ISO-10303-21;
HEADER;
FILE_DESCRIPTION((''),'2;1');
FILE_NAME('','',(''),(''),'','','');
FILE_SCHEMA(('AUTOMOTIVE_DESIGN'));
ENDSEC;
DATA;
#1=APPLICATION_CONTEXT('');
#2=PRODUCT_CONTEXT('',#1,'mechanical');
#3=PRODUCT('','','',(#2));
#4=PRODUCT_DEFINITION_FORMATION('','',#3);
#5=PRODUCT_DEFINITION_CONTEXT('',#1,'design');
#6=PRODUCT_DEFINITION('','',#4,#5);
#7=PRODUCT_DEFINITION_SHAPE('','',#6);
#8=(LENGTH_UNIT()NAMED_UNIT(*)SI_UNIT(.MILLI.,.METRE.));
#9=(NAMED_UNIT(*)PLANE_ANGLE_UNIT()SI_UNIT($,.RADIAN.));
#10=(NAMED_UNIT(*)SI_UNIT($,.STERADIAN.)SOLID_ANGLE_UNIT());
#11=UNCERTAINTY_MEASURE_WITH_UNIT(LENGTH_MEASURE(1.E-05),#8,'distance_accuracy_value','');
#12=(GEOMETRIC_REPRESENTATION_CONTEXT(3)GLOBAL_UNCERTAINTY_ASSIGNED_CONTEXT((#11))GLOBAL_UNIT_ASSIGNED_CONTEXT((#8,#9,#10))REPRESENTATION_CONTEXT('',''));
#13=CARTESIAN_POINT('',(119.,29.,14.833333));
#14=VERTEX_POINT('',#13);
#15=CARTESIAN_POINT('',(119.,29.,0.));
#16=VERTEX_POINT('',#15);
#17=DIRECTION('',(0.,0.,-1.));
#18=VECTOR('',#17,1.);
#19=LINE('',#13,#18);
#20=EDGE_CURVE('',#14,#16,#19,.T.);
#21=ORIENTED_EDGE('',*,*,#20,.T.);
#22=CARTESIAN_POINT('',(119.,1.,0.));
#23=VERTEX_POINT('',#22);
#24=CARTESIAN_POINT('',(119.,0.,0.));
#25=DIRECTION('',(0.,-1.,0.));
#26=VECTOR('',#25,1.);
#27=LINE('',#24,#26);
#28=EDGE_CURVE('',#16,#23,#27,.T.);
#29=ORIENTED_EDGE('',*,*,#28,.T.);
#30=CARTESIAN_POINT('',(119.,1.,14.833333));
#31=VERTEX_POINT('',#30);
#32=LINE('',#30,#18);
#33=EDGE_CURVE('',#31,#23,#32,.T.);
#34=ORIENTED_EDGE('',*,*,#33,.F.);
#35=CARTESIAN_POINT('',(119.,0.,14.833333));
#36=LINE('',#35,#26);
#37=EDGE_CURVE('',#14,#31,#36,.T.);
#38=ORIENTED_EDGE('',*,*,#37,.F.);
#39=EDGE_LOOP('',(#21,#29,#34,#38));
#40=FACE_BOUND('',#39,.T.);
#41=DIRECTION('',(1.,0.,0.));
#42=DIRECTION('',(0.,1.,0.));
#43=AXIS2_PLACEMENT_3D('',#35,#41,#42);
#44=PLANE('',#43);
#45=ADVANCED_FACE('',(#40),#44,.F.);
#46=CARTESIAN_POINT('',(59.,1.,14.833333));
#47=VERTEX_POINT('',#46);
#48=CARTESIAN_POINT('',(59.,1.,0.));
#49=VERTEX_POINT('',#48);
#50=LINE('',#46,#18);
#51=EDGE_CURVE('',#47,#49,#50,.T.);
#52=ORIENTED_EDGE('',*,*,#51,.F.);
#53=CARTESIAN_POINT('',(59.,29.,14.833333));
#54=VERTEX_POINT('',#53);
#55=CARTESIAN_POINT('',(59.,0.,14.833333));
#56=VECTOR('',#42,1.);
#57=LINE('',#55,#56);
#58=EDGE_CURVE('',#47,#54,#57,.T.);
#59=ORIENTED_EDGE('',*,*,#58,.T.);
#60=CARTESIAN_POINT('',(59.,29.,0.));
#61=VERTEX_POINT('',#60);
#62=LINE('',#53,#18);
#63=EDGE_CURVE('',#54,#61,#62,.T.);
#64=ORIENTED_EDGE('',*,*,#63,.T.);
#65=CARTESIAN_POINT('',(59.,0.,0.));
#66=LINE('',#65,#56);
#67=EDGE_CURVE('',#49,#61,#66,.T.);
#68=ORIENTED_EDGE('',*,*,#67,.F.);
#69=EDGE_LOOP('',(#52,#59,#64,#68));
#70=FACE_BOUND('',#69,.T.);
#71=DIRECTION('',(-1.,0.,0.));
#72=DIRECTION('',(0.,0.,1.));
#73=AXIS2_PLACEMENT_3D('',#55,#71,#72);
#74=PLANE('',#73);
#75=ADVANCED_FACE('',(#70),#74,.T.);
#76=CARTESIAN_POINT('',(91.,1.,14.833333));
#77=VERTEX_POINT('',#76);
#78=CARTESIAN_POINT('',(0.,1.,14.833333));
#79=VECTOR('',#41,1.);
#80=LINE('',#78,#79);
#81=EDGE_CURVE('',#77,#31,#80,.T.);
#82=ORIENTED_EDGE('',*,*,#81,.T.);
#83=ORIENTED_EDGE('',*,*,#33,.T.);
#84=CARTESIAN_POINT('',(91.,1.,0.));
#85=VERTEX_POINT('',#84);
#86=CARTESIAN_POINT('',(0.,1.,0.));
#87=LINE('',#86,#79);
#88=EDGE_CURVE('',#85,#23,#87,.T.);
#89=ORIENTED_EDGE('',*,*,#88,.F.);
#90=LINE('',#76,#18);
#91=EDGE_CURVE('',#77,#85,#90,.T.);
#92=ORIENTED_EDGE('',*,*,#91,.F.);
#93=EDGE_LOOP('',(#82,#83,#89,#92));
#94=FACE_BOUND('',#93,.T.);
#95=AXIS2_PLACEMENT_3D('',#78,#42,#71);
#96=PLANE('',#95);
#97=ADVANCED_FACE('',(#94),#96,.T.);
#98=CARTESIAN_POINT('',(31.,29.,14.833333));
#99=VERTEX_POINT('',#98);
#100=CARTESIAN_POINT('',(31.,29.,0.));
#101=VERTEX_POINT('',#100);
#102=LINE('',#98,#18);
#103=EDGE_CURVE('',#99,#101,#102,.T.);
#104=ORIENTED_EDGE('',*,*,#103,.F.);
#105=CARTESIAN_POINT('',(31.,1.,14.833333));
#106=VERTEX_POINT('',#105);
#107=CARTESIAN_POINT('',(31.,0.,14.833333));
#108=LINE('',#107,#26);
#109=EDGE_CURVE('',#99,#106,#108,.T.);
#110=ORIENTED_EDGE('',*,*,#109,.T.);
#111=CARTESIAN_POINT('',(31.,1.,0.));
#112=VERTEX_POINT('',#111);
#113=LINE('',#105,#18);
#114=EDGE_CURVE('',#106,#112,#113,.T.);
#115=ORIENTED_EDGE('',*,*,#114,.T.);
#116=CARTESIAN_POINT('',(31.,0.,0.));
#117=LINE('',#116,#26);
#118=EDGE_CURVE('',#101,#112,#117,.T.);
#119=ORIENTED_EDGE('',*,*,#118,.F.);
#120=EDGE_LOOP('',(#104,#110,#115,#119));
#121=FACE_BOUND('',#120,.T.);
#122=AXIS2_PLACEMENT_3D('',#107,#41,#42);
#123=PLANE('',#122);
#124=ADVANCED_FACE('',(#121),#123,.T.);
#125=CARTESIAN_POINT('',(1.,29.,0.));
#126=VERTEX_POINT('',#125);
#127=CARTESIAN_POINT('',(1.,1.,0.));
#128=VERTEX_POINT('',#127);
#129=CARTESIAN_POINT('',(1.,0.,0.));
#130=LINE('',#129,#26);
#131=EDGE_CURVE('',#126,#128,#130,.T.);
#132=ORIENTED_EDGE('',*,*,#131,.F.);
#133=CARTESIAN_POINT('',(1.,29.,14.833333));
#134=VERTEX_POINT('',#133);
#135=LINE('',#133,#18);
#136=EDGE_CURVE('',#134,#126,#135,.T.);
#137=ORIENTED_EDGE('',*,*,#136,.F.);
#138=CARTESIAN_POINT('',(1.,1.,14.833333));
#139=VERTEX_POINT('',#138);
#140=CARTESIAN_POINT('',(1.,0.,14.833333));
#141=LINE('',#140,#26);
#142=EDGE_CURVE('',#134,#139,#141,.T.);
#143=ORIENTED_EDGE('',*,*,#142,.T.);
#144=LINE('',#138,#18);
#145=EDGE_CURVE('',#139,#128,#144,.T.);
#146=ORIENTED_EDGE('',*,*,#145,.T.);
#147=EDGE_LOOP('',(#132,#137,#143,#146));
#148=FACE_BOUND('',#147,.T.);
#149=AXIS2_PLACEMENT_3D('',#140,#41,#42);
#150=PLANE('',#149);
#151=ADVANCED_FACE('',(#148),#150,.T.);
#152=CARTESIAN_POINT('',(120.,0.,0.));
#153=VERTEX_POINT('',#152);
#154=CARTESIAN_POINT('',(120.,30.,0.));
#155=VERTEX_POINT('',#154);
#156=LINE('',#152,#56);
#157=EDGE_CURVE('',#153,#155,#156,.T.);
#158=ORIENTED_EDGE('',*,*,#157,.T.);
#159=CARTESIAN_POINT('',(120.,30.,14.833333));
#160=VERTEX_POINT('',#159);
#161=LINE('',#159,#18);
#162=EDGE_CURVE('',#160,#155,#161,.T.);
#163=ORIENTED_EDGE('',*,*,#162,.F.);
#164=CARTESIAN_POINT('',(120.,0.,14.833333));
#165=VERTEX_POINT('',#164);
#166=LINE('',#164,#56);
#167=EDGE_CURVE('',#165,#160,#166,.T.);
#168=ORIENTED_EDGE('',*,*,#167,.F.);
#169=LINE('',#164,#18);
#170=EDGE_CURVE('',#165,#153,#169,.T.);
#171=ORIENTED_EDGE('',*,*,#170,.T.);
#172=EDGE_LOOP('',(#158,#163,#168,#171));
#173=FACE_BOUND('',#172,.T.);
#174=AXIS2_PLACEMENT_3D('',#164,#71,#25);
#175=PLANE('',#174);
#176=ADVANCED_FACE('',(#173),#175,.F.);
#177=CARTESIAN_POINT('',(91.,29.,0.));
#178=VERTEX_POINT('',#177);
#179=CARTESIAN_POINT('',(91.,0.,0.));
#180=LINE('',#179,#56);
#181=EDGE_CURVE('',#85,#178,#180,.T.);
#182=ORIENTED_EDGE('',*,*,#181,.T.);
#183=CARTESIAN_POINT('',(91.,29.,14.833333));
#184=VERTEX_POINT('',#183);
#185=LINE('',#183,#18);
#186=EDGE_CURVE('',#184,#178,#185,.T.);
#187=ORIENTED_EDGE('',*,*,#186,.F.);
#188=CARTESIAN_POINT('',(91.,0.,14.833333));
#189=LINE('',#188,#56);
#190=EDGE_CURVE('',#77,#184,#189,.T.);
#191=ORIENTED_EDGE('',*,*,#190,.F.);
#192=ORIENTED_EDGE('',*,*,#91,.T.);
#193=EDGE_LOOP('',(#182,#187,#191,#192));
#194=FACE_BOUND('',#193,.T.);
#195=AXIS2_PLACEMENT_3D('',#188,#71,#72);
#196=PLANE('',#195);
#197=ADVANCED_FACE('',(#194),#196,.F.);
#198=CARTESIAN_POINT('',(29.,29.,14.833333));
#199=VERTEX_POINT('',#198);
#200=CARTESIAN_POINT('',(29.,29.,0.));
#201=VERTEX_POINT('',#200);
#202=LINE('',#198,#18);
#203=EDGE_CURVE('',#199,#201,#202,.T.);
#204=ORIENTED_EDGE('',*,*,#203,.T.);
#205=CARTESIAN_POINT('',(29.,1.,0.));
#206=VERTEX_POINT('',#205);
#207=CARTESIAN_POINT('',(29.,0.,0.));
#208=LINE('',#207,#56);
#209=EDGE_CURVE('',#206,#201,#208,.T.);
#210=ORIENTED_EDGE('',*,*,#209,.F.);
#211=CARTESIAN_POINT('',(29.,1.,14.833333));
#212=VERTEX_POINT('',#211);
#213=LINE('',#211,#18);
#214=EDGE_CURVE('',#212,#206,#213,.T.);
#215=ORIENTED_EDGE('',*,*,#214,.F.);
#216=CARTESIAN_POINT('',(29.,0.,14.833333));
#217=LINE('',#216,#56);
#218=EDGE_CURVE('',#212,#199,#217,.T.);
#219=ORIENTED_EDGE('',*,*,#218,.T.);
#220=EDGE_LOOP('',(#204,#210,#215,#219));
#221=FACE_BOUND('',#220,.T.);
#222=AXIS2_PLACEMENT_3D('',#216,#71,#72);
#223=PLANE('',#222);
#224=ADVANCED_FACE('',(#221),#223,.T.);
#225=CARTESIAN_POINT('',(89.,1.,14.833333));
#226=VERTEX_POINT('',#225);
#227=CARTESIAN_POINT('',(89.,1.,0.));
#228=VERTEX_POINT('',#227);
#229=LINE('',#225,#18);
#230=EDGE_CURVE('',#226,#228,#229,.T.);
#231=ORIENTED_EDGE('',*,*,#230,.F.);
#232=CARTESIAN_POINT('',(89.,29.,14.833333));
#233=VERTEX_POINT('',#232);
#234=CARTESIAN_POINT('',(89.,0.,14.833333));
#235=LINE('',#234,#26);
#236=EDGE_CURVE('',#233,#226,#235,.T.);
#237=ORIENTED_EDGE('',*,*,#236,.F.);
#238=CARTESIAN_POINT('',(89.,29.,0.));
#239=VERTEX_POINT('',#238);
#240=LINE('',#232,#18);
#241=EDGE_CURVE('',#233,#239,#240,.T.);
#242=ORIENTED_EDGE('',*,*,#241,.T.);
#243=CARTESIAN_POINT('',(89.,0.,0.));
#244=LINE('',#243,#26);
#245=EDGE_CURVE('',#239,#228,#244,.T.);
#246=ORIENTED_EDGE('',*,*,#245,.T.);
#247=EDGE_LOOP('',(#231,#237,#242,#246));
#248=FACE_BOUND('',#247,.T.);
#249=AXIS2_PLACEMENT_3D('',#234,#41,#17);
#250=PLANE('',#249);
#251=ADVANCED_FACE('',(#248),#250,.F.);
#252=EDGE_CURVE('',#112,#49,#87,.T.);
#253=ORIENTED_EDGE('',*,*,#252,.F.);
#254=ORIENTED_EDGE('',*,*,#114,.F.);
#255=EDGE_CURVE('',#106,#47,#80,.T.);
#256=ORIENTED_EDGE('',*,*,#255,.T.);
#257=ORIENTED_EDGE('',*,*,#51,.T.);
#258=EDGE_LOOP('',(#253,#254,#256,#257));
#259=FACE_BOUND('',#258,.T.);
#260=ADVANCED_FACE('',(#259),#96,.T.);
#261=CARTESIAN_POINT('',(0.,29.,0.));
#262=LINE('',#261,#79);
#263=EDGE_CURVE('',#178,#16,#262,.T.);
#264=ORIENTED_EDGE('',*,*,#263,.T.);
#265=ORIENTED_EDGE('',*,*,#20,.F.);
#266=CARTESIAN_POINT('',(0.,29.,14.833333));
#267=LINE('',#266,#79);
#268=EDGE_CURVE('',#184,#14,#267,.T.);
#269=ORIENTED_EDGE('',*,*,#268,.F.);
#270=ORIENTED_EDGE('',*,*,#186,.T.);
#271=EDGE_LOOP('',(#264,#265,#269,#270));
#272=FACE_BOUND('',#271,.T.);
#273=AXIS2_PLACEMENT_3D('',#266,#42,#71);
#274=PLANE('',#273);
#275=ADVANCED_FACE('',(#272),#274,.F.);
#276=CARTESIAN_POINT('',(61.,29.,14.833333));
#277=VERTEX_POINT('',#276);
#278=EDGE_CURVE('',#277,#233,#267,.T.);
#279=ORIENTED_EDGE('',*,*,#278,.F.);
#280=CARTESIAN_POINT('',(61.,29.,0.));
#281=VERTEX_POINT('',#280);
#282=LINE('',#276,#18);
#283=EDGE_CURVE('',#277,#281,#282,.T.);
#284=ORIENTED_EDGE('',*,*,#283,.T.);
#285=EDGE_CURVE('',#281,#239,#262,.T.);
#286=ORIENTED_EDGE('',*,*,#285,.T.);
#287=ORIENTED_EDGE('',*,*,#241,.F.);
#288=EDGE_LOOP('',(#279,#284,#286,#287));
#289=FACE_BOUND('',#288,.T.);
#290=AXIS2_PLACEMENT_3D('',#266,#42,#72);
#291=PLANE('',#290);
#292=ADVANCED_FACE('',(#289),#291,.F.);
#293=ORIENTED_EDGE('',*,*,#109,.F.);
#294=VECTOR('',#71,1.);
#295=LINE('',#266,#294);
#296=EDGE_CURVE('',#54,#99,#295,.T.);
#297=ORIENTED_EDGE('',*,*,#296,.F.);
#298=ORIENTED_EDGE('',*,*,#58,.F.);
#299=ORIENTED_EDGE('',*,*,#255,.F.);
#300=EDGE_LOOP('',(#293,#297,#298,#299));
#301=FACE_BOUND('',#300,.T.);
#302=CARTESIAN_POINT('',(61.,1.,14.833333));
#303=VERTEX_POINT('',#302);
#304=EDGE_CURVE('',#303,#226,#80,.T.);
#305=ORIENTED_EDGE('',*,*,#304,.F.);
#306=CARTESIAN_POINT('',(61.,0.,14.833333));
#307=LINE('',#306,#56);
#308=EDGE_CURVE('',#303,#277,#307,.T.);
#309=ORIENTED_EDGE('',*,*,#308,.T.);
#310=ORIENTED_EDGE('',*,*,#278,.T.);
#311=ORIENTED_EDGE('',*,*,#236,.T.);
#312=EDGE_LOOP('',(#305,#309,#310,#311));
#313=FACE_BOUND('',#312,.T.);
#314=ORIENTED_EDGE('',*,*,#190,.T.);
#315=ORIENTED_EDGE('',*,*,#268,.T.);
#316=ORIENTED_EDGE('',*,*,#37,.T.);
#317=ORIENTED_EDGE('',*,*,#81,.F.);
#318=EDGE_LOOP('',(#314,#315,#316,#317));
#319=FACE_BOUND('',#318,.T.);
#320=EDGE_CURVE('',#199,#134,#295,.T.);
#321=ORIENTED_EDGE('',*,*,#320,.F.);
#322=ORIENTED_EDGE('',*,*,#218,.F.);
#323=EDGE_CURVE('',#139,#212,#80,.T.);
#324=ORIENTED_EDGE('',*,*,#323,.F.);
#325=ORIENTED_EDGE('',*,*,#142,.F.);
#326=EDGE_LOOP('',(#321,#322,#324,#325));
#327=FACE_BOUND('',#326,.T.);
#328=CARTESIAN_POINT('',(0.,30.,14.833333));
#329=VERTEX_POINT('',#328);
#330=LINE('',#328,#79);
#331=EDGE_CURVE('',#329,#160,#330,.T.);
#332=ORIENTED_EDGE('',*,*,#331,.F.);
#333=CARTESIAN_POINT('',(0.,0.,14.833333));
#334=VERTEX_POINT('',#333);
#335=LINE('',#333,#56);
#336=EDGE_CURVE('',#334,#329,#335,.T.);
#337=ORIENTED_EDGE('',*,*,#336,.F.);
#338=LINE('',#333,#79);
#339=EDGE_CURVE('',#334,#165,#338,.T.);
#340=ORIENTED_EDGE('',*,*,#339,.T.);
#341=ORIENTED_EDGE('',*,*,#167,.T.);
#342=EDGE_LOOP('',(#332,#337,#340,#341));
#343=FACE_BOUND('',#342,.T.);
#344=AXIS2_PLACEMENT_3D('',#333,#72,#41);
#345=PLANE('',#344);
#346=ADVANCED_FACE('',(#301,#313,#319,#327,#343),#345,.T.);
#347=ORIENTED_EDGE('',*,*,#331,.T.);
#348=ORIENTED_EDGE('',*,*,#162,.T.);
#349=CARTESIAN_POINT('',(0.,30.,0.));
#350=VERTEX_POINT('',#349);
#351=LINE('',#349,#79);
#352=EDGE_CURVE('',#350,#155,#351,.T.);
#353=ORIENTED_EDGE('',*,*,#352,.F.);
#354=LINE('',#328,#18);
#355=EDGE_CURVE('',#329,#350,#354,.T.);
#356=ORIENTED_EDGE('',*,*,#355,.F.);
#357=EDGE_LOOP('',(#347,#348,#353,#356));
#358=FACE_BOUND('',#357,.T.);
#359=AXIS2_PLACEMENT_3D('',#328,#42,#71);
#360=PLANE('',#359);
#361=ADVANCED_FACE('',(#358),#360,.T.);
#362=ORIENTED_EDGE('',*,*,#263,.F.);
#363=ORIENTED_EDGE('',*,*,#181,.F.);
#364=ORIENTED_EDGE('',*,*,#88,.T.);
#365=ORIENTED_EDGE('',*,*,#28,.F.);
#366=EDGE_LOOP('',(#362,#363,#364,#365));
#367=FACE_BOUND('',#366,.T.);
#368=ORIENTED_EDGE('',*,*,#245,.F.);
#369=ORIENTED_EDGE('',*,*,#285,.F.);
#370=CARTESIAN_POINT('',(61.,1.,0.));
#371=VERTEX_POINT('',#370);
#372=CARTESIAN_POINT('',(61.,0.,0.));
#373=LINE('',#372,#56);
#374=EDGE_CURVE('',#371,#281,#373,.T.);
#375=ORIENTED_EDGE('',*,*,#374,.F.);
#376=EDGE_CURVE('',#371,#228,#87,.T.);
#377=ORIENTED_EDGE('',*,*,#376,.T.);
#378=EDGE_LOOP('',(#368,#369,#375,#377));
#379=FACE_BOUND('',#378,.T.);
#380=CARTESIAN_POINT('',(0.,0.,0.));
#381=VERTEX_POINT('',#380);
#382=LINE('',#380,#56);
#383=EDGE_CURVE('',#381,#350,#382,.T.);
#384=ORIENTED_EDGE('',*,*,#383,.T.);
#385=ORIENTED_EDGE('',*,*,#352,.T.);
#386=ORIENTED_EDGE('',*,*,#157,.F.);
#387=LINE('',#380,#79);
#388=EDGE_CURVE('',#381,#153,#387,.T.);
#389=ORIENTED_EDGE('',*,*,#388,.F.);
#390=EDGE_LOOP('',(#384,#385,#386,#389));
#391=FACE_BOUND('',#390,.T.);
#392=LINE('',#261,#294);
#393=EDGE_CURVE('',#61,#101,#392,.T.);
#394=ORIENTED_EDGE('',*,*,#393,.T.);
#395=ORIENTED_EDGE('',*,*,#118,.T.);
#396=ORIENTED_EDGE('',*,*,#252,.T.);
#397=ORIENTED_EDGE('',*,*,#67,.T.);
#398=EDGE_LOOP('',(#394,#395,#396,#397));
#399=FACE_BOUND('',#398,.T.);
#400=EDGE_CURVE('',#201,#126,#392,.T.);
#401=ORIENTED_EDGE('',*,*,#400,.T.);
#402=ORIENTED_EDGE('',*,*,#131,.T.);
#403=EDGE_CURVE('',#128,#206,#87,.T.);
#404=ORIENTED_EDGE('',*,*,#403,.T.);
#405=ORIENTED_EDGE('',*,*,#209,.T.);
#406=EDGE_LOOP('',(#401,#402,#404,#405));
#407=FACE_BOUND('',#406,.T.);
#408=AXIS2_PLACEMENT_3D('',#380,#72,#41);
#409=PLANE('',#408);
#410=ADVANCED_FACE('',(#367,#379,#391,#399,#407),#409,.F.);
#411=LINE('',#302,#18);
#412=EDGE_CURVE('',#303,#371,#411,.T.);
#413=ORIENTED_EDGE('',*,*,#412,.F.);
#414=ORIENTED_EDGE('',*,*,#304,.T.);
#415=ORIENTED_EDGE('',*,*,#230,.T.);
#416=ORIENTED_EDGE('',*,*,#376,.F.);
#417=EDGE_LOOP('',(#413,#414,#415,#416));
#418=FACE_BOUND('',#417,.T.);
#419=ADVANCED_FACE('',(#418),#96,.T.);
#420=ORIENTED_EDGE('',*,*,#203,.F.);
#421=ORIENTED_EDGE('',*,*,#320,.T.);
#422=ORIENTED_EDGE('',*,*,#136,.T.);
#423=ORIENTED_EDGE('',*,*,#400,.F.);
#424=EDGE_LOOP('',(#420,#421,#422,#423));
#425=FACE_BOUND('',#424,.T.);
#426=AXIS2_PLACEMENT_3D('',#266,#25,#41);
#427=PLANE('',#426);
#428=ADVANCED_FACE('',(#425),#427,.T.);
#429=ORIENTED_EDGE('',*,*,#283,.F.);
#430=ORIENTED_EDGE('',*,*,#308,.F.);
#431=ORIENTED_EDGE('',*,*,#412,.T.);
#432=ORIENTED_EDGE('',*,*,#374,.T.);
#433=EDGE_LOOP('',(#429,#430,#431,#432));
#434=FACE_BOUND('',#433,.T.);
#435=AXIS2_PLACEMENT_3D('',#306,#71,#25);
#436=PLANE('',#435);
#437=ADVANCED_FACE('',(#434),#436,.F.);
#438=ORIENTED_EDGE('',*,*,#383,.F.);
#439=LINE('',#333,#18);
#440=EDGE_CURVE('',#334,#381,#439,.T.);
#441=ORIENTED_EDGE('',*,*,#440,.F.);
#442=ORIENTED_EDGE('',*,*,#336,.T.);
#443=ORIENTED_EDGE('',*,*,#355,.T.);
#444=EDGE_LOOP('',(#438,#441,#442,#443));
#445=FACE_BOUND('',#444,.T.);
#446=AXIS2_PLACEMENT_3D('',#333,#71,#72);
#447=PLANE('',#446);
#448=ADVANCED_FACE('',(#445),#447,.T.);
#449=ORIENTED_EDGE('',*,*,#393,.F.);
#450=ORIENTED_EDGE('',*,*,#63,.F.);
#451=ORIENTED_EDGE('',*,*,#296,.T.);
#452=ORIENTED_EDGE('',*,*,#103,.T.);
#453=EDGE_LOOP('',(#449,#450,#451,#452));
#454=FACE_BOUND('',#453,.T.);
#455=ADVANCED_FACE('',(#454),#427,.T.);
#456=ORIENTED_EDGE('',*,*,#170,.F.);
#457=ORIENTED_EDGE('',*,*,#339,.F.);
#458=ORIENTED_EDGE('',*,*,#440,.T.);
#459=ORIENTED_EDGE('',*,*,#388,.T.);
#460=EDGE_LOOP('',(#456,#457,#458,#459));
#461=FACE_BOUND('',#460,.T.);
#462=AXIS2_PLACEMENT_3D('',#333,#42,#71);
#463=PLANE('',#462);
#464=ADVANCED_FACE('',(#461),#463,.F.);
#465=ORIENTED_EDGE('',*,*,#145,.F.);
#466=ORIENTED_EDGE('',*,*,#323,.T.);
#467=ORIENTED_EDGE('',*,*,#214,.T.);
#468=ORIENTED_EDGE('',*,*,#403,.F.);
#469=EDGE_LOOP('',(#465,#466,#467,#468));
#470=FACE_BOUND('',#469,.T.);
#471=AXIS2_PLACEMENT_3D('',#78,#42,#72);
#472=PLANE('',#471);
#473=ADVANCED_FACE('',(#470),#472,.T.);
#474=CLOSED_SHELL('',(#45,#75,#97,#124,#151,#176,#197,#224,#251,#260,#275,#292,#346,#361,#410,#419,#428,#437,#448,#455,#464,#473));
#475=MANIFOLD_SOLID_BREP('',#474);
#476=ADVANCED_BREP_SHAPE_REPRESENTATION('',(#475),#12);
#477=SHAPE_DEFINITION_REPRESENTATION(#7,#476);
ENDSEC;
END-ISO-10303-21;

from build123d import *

# Parameters (mm, degrees)
ESQUISSE1_W        = 120
ESQUISSE1_H        = 30
ESQUISSE1_W_2      = 28
ESQUISSE1_H_2      = 28
BOSS_EXTRU_1_DEPTH = 14.833333343


with BuildPart() as part:
    # Esquisse1 → Boss.-Extru.1 (new body)
    with BuildSketch(Plane.XY):
        with Locations((60, 15)):
            Rectangle(ESQUISSE1_W, ESQUISSE1_H)
        with Locations((45, 15)):
            Rectangle(ESQUISSE1_W_2, ESQUISSE1_H_2, mode=Mode.SUBTRACT)
        with Locations((75, 15)):
            Rectangle(ESQUISSE1_W_2, ESQUISSE1_H_2, mode=Mode.SUBTRACT)
        with Locations((105, 15)):
            Rectangle(ESQUISSE1_W_2, ESQUISSE1_H_2, mode=Mode.SUBTRACT)
        with Locations((15, 15)):
            Rectangle(ESQUISSE1_W_2, ESQUISSE1_H_2, mode=Mode.SUBTRACT)
    extrude(amount=BOSS_EXTRU_1_DEPTH)


solid = part.part
